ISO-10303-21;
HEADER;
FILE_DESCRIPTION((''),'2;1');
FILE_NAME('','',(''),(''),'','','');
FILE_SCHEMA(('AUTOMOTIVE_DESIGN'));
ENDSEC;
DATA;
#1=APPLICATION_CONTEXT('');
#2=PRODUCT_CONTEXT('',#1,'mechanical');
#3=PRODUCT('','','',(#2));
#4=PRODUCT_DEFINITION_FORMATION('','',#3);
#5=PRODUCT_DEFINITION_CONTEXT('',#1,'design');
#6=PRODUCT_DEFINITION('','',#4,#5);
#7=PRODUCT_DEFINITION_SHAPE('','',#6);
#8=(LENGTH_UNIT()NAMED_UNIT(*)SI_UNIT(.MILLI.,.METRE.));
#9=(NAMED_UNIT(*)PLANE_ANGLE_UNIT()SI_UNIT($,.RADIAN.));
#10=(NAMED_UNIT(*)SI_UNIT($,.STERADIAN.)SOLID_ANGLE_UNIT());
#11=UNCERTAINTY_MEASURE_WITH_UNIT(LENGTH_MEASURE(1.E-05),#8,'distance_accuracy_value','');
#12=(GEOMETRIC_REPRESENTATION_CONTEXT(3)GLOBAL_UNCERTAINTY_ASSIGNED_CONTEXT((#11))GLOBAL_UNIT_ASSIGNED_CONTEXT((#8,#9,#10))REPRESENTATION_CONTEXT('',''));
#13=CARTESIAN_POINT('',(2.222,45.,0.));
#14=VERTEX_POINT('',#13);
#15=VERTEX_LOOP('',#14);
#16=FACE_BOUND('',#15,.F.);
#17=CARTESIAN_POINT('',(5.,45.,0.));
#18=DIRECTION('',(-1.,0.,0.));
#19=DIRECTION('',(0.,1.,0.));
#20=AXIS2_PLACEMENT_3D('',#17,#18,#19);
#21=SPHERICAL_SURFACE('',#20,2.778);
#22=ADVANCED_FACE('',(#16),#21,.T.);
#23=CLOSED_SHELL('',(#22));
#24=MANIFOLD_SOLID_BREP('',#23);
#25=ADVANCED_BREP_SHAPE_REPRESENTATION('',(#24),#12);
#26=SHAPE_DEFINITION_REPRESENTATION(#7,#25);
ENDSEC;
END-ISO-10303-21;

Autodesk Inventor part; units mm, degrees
ref_plane "YZ Plane" through (0, 0, 0) normal (1, 0, 0) x (0, 1, 0)
ref_plane "XZ Plane" through (0, 0, 0) normal (0, 1, 0) x (-1, 0, 0)
ref_plane "XY Plane" through (0, 0, 0) normal (0, 0, 1) x (1, 0, 0)
sketch "Sketch_6" plane through (0, 0, 0) normal (0, 0, 1) x (1, 0, 0)
  line L0 (7.778, 45) -> (2.222, 45)
  arc A0 (7.778, 45) -> (2.222, 45) centre (5, 45) ccw
  line L1 (7.778, 45) -> (2.222, 45)
  dimension "d0" = 360
revolve "Revolution1" add sketch "Sketch_6" angle 360 about axis through (7.778, 45, 0) along (1, 0, 0)
properties part number "61816_PART3"
